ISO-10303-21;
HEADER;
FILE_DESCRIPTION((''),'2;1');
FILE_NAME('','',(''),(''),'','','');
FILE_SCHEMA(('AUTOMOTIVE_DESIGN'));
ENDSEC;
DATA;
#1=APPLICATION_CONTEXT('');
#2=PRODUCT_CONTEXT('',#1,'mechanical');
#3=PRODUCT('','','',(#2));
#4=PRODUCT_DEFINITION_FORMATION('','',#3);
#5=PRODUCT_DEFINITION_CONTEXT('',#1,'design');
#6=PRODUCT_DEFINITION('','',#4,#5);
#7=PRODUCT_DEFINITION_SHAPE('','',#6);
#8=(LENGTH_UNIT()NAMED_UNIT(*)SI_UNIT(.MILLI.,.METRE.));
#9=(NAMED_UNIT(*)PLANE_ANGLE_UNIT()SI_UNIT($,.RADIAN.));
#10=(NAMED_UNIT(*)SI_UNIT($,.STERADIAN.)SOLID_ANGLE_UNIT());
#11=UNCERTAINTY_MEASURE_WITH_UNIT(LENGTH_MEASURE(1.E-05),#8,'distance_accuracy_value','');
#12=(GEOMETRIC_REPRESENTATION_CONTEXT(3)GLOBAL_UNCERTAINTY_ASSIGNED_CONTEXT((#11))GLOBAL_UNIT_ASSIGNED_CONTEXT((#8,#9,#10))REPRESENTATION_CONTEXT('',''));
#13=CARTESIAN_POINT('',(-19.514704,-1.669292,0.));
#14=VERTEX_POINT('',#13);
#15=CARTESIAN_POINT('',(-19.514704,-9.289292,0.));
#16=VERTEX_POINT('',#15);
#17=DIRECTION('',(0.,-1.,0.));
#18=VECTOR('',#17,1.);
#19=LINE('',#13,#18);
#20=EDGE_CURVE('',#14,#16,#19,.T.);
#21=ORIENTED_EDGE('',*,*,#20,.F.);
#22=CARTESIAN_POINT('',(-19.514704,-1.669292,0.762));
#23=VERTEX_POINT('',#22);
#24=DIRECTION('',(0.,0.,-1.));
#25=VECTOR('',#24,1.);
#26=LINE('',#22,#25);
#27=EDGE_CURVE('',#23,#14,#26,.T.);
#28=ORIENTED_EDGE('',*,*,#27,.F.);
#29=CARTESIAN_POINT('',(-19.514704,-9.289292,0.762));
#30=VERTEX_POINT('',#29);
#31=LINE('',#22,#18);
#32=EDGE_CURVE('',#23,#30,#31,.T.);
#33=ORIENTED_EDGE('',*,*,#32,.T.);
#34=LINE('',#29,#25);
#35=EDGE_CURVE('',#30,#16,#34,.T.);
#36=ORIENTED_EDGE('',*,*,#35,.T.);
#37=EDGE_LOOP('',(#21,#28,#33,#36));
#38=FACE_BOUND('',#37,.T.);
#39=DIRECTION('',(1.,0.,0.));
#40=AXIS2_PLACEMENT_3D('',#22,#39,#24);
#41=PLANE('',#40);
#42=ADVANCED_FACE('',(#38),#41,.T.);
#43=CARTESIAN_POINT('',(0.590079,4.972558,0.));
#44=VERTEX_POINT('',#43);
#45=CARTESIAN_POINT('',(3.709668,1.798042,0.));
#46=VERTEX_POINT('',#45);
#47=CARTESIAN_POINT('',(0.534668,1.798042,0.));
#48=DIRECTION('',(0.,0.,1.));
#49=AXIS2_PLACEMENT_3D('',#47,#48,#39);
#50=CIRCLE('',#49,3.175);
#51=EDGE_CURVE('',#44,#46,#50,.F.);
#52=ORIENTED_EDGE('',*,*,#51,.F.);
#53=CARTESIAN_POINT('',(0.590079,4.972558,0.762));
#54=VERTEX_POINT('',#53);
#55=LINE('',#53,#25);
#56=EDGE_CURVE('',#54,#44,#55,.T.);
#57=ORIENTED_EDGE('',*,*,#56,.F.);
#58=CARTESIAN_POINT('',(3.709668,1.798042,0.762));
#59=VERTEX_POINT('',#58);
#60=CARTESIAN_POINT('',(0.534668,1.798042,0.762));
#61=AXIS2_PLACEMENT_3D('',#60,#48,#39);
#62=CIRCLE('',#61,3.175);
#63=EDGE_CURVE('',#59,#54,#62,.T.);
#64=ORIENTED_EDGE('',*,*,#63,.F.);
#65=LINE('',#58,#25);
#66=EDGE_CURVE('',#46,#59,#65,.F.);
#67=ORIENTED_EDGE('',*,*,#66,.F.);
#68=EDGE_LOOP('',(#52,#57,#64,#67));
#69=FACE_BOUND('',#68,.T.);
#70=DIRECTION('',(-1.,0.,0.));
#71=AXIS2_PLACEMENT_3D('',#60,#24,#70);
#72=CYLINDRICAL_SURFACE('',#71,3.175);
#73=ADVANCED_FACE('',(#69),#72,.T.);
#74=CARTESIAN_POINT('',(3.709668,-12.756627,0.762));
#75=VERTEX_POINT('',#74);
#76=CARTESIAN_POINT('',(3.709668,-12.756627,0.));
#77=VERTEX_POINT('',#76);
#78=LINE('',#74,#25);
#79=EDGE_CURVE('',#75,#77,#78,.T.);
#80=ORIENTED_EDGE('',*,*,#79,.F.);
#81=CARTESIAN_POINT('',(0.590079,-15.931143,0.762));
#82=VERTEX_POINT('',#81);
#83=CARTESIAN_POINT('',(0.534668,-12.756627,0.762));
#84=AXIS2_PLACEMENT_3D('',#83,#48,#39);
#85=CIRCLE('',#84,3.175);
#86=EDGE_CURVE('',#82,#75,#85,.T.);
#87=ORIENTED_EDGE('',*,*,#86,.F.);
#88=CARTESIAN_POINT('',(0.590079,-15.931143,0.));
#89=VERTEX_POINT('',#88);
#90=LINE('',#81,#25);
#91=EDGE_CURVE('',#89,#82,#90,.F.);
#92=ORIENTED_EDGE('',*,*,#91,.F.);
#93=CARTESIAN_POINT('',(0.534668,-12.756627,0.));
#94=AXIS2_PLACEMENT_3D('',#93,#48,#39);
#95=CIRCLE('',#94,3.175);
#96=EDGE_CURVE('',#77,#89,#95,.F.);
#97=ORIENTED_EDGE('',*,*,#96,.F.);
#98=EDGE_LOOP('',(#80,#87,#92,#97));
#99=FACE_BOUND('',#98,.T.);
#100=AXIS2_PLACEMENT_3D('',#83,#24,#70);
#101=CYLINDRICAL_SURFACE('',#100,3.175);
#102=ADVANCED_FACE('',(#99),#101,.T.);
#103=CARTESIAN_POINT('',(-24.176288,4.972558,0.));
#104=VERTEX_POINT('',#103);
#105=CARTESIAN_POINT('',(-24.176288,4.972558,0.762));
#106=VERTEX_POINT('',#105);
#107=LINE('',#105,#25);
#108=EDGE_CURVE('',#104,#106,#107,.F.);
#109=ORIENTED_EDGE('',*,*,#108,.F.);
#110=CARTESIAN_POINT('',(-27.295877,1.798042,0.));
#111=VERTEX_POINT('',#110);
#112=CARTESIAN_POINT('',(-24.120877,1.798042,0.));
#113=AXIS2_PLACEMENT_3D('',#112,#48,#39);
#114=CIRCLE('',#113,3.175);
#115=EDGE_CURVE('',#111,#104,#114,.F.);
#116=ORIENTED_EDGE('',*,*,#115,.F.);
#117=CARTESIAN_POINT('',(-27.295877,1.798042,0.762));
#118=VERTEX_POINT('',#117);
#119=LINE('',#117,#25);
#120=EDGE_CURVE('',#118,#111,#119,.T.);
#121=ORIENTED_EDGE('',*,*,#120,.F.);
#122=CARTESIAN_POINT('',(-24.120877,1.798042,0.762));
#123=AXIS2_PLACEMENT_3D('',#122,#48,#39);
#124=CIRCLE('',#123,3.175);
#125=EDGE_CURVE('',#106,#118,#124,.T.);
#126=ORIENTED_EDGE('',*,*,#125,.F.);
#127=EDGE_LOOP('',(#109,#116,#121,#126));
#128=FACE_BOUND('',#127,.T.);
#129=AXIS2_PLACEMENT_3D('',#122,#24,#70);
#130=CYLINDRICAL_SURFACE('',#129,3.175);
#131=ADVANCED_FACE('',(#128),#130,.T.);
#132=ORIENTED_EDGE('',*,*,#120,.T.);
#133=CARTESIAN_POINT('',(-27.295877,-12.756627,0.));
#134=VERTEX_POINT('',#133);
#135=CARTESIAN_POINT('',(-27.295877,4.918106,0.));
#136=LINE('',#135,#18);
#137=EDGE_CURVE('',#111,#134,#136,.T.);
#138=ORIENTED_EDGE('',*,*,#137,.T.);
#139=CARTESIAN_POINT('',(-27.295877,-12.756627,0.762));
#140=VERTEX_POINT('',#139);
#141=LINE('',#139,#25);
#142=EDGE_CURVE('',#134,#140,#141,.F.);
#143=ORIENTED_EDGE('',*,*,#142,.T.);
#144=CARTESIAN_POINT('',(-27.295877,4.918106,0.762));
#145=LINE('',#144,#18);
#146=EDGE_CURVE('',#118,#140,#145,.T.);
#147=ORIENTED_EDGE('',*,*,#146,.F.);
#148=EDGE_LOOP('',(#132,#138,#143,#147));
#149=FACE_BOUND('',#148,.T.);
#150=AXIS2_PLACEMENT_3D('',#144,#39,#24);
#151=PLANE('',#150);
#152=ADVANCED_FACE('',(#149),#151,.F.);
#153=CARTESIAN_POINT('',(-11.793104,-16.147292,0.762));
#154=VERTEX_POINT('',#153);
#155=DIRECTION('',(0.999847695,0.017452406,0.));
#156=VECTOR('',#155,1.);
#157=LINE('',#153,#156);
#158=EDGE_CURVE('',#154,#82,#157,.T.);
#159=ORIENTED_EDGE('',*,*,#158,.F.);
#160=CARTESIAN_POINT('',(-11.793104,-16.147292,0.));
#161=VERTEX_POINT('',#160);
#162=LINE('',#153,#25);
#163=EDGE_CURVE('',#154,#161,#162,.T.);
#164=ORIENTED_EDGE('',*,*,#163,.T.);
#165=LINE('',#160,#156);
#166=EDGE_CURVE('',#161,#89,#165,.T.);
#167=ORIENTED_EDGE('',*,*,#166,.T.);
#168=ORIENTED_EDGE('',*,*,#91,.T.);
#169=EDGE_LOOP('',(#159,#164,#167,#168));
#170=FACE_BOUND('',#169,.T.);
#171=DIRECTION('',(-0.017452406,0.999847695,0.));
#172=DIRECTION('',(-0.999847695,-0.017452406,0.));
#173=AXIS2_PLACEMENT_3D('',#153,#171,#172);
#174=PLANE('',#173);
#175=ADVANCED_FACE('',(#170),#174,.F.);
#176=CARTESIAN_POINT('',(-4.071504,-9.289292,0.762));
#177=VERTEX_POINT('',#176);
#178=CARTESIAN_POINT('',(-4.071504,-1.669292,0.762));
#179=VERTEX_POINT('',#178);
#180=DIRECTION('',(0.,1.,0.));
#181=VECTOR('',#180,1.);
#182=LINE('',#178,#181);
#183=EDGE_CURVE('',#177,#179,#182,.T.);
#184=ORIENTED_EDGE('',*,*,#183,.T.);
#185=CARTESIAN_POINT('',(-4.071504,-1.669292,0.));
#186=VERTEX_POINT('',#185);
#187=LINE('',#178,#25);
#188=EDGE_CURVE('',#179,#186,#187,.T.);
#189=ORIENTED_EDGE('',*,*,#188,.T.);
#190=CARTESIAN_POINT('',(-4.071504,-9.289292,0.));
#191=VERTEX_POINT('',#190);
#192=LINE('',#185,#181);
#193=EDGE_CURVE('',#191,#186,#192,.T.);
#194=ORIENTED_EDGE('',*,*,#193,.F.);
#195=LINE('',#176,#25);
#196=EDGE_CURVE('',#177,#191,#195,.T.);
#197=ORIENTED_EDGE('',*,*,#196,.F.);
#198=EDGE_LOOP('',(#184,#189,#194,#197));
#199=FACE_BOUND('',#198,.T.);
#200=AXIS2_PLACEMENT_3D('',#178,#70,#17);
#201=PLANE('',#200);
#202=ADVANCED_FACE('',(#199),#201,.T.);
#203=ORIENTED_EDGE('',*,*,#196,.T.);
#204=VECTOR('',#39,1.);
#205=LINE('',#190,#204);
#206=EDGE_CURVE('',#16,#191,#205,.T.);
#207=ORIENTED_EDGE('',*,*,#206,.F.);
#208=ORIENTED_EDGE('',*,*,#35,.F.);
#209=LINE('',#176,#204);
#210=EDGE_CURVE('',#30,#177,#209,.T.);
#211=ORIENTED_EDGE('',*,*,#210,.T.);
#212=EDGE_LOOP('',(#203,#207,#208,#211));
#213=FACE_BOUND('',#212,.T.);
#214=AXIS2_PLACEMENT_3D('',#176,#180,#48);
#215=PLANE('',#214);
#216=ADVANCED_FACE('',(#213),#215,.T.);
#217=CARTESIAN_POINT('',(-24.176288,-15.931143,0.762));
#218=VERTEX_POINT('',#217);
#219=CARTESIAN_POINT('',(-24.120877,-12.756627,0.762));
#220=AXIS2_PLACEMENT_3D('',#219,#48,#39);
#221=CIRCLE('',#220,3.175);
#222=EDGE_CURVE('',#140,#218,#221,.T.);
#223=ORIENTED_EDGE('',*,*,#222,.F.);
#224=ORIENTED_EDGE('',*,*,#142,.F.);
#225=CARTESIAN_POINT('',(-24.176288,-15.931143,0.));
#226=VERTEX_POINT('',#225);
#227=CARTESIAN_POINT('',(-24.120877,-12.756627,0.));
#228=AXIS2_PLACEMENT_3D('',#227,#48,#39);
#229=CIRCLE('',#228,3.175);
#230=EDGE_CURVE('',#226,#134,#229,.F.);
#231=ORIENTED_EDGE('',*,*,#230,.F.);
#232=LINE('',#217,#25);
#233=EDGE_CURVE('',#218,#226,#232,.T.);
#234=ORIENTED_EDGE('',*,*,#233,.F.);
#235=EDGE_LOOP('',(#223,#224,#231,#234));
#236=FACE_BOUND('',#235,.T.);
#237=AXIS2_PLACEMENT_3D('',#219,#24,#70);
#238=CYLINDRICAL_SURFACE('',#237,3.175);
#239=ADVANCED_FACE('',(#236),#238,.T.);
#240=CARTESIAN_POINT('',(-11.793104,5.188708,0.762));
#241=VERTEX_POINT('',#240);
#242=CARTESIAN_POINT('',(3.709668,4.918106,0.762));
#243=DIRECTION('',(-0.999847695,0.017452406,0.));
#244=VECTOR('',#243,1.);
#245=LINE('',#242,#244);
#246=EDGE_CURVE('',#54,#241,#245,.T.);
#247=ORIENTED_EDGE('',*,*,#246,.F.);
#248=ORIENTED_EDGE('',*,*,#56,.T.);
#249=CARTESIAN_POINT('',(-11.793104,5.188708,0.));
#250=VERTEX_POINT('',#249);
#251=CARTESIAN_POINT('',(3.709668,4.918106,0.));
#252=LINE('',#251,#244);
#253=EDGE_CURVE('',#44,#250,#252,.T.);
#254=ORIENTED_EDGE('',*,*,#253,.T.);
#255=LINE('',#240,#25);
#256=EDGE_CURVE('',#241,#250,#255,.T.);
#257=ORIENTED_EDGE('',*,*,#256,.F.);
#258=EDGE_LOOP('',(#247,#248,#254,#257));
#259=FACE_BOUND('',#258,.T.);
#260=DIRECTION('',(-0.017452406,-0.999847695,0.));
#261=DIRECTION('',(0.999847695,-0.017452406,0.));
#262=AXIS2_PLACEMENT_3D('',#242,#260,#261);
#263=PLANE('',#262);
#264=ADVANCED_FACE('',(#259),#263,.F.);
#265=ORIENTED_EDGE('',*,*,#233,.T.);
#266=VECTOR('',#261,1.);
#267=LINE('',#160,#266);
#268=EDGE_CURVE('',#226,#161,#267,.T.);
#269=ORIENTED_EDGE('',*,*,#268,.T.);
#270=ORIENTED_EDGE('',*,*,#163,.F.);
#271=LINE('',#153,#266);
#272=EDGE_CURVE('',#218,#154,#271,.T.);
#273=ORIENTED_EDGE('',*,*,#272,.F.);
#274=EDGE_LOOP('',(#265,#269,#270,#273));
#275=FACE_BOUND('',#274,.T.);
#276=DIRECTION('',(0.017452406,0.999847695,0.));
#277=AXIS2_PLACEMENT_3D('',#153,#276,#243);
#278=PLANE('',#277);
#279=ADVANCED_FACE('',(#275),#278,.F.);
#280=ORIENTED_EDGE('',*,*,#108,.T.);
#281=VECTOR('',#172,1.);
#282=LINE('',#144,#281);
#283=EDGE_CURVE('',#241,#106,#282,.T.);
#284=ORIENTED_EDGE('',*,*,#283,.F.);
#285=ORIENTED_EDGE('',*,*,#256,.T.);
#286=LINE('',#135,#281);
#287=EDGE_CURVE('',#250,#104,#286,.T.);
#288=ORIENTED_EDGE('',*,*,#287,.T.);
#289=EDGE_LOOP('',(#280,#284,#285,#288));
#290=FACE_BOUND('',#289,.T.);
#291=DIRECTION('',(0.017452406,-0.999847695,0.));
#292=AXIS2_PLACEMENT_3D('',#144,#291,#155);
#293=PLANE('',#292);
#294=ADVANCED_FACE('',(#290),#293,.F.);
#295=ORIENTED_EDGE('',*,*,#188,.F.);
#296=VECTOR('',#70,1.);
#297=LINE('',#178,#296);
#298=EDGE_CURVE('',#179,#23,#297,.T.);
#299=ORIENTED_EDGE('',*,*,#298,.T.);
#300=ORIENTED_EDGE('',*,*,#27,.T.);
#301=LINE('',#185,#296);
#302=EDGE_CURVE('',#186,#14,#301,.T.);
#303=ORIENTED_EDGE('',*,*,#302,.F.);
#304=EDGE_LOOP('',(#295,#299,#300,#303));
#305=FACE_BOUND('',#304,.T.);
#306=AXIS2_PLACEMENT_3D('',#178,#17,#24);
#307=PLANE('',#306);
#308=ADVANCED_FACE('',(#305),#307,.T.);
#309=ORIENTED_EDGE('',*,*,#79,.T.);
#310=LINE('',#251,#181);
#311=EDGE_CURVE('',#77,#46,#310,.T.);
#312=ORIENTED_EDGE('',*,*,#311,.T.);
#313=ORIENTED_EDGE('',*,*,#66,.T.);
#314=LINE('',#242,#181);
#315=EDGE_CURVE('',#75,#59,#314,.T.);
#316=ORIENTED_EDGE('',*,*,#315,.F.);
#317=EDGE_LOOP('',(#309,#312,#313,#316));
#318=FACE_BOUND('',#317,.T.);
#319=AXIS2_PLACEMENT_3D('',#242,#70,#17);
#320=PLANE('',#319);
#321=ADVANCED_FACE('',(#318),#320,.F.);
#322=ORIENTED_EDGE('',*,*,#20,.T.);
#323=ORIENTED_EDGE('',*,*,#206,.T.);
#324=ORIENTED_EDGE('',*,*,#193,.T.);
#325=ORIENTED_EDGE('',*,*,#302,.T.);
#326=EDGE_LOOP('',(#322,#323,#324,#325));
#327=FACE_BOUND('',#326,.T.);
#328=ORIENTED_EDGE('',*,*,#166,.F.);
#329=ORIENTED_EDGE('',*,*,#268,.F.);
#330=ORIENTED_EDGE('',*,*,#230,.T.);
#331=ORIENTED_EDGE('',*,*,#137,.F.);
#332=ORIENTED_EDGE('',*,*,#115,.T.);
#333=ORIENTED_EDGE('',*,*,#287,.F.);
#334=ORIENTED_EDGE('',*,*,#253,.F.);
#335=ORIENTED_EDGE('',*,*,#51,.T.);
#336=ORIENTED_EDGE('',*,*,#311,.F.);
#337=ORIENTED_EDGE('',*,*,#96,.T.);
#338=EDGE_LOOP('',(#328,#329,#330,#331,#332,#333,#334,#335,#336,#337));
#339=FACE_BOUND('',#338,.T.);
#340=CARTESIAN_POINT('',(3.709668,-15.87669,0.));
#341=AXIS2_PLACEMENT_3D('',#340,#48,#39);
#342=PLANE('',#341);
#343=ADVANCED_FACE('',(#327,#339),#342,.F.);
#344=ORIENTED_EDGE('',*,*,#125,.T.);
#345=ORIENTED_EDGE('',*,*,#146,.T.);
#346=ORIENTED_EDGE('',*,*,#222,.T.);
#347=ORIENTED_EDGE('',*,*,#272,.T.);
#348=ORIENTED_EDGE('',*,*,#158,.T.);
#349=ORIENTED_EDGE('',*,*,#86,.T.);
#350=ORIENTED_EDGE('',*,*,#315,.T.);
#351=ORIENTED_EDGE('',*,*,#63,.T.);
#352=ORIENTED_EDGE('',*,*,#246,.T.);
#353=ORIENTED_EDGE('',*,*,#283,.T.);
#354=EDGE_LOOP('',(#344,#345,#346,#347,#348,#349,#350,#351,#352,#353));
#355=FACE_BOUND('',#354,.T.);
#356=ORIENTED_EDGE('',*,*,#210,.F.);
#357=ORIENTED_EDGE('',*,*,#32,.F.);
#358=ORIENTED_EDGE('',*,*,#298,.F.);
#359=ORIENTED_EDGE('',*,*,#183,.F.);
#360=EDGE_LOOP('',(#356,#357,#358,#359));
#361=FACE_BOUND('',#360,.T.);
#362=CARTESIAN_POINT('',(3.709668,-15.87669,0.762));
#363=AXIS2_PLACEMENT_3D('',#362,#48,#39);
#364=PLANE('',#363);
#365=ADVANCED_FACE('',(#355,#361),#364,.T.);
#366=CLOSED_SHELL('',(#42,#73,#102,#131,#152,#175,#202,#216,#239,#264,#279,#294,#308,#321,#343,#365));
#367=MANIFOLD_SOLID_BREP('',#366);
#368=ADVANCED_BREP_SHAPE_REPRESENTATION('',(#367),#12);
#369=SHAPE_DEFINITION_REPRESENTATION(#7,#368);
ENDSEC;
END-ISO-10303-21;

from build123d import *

# Parameters (mm, degrees)
SKETCH1_W      = 15.4432
SKETCH1_H      = 7.62
EXTRUDE1_DEPTH = 0.762
FILLET1_R      = 3.175


with BuildPart() as part:
    # Sketch1 → Extrude1 (new body)
    with BuildSketch(Plane.XY):
        Polygon((3.709668038, 4.91810583), (-11.793104343, 5.188707728), (-27.295876724, 4.91810583), (-27.295876724, -15.876690374), (-11.793104343, -16.147292272), (3.709668038, -15.876690374), align=None)
        with Locations((-11.793104343, -5.479292272)):
            Rectangle(SKETCH1_W, SKETCH1_H, mode=Mode.SUBTRACT)
    extrude(amount=EXTRUDE1_DEPTH)

    # Fillet1
    fillet1_edges = [part.edges().sort_by_distance(p)[0] for p in [
        (3.709668038, -15.876690374, 0.381),
        (-27.295876724, -15.876690374, 0.381),
        (-27.295876724, 4.91810583, 0.381),
        (3.709668038, 4.91810583, 0.381),
    ]]
    fillet(fillet1_edges, radius=FILLET1_R)


solid = part.part
